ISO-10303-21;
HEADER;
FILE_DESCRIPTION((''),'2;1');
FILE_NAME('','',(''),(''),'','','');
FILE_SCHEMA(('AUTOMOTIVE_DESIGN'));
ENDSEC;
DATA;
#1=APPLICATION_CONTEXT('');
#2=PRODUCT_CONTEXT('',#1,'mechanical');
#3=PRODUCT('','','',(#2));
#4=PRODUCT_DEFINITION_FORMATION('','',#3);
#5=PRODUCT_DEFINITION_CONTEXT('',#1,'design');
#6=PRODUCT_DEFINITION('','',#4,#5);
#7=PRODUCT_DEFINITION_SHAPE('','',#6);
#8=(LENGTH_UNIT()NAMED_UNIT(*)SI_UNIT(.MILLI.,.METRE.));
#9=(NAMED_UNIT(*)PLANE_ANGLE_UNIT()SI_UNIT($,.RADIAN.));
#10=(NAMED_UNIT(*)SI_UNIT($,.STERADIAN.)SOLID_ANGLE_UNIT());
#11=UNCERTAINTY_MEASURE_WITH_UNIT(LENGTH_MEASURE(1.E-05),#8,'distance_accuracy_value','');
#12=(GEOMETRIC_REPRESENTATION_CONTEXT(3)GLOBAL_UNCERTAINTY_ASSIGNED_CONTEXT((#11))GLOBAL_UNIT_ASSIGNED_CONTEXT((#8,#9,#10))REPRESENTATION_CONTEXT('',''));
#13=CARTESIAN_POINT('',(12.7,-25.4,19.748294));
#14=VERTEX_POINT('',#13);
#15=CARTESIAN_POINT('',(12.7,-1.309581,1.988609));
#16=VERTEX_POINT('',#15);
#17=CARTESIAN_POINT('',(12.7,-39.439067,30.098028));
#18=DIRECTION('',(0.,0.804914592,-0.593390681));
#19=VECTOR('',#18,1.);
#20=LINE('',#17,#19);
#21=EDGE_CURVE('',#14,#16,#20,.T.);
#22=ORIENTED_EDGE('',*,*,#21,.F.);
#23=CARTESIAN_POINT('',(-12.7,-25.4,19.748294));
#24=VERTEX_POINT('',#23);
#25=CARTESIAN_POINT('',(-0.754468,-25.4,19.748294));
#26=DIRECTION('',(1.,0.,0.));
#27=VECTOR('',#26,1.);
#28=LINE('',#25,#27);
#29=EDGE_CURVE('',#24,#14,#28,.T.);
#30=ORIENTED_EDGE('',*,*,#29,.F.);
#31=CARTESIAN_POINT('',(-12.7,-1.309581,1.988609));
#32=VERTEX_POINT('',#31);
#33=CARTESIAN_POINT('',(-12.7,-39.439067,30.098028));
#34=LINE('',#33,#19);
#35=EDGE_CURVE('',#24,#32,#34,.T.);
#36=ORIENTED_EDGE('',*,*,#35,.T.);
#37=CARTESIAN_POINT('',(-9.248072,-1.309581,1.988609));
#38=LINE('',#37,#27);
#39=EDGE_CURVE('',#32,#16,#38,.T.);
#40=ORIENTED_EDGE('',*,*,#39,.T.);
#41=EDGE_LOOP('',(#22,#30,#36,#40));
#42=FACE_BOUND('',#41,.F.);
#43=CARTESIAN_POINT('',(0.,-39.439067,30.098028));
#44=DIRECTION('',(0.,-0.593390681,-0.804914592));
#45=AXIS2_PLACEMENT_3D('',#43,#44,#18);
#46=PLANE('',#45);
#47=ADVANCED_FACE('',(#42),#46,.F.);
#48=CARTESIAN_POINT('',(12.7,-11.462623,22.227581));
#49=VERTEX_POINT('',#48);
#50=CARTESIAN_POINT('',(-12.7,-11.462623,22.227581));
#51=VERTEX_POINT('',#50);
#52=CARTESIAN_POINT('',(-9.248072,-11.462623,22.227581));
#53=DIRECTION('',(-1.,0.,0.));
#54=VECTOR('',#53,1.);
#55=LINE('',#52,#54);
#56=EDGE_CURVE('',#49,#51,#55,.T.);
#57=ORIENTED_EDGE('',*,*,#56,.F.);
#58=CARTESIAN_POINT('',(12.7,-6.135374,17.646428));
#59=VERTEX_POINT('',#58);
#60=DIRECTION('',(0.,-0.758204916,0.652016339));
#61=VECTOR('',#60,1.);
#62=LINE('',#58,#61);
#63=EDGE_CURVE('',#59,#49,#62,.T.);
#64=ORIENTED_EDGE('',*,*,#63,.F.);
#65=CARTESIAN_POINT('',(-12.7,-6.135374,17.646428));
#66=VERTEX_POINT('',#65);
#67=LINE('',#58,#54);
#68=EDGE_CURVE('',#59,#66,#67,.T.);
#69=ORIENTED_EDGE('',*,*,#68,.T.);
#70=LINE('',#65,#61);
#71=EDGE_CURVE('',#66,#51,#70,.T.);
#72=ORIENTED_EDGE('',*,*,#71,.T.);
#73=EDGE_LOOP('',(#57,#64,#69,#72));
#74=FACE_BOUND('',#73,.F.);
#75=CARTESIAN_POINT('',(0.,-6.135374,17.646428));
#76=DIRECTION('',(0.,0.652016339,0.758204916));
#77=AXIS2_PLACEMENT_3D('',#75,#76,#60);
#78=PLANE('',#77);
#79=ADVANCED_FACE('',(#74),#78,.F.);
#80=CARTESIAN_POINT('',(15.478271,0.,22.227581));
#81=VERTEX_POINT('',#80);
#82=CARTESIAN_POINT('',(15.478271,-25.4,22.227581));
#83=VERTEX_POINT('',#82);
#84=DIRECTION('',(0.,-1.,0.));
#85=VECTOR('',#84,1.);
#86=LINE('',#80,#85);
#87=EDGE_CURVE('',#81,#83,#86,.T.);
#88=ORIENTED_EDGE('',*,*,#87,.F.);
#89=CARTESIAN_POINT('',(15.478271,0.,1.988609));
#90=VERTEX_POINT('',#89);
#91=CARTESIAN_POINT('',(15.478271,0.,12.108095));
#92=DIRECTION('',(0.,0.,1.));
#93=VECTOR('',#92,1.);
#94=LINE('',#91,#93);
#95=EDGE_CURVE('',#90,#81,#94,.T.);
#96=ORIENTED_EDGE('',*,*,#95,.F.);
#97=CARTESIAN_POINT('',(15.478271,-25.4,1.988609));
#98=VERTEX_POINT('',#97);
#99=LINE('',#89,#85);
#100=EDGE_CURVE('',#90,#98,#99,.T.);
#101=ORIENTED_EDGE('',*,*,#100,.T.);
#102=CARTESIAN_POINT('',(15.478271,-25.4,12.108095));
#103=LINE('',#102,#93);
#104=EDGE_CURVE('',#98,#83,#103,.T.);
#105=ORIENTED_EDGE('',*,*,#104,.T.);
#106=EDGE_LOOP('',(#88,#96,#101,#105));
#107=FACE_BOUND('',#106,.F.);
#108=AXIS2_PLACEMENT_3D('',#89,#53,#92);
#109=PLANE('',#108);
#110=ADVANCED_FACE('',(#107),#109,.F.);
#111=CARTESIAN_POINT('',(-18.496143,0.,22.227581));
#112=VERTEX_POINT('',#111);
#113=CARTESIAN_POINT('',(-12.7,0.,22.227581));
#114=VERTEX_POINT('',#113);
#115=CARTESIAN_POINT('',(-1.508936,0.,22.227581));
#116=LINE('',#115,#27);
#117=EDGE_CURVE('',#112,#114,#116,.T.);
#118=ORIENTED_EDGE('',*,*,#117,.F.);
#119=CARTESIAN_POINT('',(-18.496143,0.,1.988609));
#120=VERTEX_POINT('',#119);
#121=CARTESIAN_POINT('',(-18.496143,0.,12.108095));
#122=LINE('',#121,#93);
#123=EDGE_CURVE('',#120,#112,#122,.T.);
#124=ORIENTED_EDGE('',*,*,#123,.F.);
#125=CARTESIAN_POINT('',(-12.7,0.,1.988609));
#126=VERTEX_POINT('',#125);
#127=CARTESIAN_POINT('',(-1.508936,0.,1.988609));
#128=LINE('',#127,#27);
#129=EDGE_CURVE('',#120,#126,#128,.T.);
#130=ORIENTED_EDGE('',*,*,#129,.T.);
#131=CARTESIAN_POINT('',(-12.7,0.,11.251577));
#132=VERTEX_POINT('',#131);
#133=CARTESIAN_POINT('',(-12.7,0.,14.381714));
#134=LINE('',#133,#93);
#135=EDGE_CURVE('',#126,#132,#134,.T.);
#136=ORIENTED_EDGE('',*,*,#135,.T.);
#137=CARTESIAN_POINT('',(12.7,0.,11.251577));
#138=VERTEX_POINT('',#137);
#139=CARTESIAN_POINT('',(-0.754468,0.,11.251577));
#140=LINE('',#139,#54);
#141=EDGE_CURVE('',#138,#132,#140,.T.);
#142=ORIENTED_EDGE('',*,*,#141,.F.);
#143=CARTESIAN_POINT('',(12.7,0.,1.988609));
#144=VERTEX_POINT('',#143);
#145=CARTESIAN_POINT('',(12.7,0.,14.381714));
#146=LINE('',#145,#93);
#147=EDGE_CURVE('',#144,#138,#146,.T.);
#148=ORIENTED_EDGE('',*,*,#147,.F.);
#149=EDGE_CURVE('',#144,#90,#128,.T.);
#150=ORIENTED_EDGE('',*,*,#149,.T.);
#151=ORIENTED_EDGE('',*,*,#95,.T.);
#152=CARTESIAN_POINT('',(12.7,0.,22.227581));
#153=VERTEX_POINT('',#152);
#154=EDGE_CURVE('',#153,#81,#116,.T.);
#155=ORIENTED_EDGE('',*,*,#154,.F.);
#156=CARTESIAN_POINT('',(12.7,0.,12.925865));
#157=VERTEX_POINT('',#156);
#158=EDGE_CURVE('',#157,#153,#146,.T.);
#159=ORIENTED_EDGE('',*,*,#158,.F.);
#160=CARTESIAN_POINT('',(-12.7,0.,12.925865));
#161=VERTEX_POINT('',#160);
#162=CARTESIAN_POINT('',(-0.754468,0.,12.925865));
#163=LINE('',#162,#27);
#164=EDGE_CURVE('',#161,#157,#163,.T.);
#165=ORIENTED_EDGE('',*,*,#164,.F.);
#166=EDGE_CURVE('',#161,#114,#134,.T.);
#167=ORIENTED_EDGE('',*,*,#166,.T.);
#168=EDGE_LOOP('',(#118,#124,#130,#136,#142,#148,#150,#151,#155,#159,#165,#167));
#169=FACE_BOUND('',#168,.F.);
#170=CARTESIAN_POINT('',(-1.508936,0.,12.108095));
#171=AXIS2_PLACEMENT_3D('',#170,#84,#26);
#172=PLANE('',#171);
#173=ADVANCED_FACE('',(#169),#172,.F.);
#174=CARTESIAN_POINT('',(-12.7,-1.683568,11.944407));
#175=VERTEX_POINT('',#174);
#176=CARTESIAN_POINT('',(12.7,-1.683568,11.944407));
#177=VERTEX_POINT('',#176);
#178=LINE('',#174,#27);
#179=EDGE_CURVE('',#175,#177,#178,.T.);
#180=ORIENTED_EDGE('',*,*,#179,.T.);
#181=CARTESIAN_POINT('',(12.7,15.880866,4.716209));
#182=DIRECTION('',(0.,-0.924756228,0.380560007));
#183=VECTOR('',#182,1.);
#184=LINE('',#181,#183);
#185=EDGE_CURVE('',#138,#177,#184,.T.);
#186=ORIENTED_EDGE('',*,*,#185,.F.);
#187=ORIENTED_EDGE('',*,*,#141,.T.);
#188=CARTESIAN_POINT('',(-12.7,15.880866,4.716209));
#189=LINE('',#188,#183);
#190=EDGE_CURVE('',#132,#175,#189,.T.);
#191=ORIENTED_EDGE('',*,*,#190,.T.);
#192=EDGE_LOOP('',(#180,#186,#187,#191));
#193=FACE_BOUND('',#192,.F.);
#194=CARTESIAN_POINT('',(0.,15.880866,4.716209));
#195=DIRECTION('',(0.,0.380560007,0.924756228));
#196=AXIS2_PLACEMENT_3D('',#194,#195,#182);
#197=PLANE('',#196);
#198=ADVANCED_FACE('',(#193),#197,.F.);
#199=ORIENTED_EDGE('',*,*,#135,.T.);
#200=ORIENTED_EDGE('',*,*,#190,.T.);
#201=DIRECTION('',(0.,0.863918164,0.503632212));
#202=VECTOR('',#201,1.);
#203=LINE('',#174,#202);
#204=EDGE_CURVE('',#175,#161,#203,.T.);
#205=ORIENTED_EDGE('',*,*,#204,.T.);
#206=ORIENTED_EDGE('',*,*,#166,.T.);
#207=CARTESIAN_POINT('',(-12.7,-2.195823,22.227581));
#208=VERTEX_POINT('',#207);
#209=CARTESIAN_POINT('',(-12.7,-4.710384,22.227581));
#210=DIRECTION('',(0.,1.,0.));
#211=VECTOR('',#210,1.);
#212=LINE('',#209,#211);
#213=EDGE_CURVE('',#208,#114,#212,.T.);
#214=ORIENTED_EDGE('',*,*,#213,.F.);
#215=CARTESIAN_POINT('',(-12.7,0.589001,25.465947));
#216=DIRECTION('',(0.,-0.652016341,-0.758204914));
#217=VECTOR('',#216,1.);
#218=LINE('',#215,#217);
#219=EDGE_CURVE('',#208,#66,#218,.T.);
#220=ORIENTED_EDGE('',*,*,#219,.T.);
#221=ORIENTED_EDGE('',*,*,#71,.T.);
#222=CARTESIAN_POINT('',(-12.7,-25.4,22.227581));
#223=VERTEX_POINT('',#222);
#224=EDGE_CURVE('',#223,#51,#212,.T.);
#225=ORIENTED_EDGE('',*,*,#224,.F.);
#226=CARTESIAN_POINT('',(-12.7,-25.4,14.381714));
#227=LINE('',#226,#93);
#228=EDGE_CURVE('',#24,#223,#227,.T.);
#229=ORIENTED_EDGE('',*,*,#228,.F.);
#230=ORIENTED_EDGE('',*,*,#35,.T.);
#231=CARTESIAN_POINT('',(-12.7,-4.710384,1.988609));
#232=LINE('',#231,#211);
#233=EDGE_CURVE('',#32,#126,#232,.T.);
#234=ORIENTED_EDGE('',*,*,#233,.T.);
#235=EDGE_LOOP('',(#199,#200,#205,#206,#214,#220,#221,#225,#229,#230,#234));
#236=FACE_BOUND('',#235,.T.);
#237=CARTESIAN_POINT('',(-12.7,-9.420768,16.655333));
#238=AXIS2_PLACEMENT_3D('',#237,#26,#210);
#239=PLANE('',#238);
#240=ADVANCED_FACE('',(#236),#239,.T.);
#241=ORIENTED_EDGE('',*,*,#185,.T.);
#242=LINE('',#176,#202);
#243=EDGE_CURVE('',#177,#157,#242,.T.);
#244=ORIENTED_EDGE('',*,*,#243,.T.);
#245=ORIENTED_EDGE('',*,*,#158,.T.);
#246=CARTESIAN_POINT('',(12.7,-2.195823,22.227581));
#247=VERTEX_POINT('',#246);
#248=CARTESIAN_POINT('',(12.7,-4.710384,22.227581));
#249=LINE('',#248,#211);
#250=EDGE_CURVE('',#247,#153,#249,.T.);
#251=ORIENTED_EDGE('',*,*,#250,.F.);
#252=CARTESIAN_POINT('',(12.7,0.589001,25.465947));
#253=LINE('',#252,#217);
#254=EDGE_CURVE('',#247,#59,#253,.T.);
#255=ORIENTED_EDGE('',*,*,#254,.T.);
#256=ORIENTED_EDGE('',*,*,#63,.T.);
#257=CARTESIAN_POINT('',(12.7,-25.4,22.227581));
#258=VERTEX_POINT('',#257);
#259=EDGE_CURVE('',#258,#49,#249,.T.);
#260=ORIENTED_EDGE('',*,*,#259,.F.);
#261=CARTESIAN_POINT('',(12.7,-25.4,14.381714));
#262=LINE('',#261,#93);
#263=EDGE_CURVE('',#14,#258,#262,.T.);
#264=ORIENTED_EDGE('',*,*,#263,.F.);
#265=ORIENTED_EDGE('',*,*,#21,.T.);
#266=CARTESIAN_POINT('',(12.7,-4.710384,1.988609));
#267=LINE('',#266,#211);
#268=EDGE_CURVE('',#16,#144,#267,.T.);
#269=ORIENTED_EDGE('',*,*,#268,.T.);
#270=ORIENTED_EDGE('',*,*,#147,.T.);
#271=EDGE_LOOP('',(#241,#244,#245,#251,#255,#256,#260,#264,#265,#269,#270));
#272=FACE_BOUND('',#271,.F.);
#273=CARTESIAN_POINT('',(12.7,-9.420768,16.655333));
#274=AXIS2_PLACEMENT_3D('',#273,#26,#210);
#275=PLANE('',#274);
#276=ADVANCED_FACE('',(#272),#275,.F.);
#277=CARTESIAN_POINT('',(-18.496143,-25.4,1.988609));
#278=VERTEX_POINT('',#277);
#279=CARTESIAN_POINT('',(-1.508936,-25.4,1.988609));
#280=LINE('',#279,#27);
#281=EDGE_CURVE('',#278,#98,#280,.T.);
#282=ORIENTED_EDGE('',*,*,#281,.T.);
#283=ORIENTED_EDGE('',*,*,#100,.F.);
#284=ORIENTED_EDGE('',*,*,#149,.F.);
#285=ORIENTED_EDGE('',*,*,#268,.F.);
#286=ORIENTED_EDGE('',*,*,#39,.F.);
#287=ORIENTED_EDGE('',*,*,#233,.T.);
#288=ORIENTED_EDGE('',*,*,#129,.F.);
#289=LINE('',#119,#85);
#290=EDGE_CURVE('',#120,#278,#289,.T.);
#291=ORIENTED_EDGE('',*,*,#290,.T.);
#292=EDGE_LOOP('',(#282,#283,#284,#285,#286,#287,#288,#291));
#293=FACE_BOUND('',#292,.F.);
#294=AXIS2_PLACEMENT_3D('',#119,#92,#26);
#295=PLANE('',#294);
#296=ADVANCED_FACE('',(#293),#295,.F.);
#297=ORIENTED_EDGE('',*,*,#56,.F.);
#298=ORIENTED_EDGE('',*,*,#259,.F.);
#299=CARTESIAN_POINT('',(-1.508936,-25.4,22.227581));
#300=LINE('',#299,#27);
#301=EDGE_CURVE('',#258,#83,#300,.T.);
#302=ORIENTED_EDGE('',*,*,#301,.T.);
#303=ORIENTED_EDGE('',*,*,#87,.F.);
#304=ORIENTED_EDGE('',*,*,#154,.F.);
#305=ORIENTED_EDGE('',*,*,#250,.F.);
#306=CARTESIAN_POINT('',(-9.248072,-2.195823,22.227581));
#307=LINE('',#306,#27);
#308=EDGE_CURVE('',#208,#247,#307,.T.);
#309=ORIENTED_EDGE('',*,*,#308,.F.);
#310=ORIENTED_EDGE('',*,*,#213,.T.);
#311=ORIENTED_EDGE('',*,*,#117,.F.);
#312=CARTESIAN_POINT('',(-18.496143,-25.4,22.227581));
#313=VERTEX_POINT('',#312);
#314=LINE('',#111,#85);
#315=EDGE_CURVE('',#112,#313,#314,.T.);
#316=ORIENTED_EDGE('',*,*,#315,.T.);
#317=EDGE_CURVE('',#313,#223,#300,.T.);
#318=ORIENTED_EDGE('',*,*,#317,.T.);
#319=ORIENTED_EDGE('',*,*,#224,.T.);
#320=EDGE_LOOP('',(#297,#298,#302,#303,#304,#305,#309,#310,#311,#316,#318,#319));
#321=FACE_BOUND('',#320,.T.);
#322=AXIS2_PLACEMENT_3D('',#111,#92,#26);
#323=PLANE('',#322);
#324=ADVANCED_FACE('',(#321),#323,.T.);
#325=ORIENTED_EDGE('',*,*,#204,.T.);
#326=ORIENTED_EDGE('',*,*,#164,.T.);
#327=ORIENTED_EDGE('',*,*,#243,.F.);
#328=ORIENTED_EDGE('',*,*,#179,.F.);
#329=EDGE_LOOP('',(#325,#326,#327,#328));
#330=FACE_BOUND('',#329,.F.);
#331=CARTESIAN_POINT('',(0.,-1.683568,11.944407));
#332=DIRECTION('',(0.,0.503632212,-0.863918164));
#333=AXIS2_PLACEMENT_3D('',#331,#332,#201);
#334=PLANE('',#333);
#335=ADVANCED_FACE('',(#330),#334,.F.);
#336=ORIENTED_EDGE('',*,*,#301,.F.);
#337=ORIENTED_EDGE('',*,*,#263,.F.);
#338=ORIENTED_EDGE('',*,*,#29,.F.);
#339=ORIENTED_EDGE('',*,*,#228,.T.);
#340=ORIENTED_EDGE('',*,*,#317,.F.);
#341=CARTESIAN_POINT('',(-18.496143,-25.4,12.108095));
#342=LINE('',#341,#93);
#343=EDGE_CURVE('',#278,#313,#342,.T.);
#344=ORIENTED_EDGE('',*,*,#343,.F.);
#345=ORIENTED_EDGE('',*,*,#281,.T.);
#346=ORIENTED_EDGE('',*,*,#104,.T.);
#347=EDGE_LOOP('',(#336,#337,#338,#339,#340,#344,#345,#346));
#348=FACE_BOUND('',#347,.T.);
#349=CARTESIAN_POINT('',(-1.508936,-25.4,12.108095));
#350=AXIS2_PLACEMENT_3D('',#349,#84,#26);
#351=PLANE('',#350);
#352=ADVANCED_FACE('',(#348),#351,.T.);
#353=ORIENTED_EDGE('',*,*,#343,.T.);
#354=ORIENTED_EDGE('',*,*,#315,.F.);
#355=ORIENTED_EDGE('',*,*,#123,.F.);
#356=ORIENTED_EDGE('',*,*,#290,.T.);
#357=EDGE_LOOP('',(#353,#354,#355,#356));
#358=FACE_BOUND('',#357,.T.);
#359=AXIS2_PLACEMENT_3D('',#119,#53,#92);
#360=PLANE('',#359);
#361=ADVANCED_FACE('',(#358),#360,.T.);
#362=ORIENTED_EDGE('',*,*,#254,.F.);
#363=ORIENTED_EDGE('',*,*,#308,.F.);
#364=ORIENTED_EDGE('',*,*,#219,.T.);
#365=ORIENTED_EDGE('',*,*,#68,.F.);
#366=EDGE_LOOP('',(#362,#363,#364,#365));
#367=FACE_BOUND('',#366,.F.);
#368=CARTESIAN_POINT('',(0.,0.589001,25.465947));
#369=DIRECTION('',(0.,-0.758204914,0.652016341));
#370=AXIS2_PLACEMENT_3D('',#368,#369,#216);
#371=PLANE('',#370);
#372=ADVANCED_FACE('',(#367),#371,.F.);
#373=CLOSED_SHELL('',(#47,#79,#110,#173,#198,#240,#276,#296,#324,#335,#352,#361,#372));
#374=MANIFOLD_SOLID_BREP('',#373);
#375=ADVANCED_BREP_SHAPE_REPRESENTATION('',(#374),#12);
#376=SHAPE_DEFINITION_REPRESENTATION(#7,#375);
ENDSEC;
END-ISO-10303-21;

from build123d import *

# Parameters (mm, degrees)
F0_W     = 33.974414
F0_H     = 20.238973
F1_DEPTH = 25.4
F3_DEPTH = 12.7


with BuildPart() as f1:
    # F0 (on Front) → F1 (new body)
    with BuildSketch(Plane.XZ):
        with Locations((-1.508936, 12.108095)):
            Rectangle(F0_W, F0_H)
    extrude(amount=F1_DEPTH)

    # F2 (on Right) → F3 (cut, symmetric)
    with BuildSketch(Plane.YZ):
        Polygon((-31.785678, 39.70434), (-39.439067, 30.098028), (11.018346, -7.099656), (15.880866, 4.716209), (-1.683568, 11.944407), (7.317314, 17.191587), (0.589001, 25.465947), (-6.135374, 17.646428), align=None)
    extrude(amount=F3_DEPTH, both=True, mode=Mode.SUBTRACT)


solid = f1.part
